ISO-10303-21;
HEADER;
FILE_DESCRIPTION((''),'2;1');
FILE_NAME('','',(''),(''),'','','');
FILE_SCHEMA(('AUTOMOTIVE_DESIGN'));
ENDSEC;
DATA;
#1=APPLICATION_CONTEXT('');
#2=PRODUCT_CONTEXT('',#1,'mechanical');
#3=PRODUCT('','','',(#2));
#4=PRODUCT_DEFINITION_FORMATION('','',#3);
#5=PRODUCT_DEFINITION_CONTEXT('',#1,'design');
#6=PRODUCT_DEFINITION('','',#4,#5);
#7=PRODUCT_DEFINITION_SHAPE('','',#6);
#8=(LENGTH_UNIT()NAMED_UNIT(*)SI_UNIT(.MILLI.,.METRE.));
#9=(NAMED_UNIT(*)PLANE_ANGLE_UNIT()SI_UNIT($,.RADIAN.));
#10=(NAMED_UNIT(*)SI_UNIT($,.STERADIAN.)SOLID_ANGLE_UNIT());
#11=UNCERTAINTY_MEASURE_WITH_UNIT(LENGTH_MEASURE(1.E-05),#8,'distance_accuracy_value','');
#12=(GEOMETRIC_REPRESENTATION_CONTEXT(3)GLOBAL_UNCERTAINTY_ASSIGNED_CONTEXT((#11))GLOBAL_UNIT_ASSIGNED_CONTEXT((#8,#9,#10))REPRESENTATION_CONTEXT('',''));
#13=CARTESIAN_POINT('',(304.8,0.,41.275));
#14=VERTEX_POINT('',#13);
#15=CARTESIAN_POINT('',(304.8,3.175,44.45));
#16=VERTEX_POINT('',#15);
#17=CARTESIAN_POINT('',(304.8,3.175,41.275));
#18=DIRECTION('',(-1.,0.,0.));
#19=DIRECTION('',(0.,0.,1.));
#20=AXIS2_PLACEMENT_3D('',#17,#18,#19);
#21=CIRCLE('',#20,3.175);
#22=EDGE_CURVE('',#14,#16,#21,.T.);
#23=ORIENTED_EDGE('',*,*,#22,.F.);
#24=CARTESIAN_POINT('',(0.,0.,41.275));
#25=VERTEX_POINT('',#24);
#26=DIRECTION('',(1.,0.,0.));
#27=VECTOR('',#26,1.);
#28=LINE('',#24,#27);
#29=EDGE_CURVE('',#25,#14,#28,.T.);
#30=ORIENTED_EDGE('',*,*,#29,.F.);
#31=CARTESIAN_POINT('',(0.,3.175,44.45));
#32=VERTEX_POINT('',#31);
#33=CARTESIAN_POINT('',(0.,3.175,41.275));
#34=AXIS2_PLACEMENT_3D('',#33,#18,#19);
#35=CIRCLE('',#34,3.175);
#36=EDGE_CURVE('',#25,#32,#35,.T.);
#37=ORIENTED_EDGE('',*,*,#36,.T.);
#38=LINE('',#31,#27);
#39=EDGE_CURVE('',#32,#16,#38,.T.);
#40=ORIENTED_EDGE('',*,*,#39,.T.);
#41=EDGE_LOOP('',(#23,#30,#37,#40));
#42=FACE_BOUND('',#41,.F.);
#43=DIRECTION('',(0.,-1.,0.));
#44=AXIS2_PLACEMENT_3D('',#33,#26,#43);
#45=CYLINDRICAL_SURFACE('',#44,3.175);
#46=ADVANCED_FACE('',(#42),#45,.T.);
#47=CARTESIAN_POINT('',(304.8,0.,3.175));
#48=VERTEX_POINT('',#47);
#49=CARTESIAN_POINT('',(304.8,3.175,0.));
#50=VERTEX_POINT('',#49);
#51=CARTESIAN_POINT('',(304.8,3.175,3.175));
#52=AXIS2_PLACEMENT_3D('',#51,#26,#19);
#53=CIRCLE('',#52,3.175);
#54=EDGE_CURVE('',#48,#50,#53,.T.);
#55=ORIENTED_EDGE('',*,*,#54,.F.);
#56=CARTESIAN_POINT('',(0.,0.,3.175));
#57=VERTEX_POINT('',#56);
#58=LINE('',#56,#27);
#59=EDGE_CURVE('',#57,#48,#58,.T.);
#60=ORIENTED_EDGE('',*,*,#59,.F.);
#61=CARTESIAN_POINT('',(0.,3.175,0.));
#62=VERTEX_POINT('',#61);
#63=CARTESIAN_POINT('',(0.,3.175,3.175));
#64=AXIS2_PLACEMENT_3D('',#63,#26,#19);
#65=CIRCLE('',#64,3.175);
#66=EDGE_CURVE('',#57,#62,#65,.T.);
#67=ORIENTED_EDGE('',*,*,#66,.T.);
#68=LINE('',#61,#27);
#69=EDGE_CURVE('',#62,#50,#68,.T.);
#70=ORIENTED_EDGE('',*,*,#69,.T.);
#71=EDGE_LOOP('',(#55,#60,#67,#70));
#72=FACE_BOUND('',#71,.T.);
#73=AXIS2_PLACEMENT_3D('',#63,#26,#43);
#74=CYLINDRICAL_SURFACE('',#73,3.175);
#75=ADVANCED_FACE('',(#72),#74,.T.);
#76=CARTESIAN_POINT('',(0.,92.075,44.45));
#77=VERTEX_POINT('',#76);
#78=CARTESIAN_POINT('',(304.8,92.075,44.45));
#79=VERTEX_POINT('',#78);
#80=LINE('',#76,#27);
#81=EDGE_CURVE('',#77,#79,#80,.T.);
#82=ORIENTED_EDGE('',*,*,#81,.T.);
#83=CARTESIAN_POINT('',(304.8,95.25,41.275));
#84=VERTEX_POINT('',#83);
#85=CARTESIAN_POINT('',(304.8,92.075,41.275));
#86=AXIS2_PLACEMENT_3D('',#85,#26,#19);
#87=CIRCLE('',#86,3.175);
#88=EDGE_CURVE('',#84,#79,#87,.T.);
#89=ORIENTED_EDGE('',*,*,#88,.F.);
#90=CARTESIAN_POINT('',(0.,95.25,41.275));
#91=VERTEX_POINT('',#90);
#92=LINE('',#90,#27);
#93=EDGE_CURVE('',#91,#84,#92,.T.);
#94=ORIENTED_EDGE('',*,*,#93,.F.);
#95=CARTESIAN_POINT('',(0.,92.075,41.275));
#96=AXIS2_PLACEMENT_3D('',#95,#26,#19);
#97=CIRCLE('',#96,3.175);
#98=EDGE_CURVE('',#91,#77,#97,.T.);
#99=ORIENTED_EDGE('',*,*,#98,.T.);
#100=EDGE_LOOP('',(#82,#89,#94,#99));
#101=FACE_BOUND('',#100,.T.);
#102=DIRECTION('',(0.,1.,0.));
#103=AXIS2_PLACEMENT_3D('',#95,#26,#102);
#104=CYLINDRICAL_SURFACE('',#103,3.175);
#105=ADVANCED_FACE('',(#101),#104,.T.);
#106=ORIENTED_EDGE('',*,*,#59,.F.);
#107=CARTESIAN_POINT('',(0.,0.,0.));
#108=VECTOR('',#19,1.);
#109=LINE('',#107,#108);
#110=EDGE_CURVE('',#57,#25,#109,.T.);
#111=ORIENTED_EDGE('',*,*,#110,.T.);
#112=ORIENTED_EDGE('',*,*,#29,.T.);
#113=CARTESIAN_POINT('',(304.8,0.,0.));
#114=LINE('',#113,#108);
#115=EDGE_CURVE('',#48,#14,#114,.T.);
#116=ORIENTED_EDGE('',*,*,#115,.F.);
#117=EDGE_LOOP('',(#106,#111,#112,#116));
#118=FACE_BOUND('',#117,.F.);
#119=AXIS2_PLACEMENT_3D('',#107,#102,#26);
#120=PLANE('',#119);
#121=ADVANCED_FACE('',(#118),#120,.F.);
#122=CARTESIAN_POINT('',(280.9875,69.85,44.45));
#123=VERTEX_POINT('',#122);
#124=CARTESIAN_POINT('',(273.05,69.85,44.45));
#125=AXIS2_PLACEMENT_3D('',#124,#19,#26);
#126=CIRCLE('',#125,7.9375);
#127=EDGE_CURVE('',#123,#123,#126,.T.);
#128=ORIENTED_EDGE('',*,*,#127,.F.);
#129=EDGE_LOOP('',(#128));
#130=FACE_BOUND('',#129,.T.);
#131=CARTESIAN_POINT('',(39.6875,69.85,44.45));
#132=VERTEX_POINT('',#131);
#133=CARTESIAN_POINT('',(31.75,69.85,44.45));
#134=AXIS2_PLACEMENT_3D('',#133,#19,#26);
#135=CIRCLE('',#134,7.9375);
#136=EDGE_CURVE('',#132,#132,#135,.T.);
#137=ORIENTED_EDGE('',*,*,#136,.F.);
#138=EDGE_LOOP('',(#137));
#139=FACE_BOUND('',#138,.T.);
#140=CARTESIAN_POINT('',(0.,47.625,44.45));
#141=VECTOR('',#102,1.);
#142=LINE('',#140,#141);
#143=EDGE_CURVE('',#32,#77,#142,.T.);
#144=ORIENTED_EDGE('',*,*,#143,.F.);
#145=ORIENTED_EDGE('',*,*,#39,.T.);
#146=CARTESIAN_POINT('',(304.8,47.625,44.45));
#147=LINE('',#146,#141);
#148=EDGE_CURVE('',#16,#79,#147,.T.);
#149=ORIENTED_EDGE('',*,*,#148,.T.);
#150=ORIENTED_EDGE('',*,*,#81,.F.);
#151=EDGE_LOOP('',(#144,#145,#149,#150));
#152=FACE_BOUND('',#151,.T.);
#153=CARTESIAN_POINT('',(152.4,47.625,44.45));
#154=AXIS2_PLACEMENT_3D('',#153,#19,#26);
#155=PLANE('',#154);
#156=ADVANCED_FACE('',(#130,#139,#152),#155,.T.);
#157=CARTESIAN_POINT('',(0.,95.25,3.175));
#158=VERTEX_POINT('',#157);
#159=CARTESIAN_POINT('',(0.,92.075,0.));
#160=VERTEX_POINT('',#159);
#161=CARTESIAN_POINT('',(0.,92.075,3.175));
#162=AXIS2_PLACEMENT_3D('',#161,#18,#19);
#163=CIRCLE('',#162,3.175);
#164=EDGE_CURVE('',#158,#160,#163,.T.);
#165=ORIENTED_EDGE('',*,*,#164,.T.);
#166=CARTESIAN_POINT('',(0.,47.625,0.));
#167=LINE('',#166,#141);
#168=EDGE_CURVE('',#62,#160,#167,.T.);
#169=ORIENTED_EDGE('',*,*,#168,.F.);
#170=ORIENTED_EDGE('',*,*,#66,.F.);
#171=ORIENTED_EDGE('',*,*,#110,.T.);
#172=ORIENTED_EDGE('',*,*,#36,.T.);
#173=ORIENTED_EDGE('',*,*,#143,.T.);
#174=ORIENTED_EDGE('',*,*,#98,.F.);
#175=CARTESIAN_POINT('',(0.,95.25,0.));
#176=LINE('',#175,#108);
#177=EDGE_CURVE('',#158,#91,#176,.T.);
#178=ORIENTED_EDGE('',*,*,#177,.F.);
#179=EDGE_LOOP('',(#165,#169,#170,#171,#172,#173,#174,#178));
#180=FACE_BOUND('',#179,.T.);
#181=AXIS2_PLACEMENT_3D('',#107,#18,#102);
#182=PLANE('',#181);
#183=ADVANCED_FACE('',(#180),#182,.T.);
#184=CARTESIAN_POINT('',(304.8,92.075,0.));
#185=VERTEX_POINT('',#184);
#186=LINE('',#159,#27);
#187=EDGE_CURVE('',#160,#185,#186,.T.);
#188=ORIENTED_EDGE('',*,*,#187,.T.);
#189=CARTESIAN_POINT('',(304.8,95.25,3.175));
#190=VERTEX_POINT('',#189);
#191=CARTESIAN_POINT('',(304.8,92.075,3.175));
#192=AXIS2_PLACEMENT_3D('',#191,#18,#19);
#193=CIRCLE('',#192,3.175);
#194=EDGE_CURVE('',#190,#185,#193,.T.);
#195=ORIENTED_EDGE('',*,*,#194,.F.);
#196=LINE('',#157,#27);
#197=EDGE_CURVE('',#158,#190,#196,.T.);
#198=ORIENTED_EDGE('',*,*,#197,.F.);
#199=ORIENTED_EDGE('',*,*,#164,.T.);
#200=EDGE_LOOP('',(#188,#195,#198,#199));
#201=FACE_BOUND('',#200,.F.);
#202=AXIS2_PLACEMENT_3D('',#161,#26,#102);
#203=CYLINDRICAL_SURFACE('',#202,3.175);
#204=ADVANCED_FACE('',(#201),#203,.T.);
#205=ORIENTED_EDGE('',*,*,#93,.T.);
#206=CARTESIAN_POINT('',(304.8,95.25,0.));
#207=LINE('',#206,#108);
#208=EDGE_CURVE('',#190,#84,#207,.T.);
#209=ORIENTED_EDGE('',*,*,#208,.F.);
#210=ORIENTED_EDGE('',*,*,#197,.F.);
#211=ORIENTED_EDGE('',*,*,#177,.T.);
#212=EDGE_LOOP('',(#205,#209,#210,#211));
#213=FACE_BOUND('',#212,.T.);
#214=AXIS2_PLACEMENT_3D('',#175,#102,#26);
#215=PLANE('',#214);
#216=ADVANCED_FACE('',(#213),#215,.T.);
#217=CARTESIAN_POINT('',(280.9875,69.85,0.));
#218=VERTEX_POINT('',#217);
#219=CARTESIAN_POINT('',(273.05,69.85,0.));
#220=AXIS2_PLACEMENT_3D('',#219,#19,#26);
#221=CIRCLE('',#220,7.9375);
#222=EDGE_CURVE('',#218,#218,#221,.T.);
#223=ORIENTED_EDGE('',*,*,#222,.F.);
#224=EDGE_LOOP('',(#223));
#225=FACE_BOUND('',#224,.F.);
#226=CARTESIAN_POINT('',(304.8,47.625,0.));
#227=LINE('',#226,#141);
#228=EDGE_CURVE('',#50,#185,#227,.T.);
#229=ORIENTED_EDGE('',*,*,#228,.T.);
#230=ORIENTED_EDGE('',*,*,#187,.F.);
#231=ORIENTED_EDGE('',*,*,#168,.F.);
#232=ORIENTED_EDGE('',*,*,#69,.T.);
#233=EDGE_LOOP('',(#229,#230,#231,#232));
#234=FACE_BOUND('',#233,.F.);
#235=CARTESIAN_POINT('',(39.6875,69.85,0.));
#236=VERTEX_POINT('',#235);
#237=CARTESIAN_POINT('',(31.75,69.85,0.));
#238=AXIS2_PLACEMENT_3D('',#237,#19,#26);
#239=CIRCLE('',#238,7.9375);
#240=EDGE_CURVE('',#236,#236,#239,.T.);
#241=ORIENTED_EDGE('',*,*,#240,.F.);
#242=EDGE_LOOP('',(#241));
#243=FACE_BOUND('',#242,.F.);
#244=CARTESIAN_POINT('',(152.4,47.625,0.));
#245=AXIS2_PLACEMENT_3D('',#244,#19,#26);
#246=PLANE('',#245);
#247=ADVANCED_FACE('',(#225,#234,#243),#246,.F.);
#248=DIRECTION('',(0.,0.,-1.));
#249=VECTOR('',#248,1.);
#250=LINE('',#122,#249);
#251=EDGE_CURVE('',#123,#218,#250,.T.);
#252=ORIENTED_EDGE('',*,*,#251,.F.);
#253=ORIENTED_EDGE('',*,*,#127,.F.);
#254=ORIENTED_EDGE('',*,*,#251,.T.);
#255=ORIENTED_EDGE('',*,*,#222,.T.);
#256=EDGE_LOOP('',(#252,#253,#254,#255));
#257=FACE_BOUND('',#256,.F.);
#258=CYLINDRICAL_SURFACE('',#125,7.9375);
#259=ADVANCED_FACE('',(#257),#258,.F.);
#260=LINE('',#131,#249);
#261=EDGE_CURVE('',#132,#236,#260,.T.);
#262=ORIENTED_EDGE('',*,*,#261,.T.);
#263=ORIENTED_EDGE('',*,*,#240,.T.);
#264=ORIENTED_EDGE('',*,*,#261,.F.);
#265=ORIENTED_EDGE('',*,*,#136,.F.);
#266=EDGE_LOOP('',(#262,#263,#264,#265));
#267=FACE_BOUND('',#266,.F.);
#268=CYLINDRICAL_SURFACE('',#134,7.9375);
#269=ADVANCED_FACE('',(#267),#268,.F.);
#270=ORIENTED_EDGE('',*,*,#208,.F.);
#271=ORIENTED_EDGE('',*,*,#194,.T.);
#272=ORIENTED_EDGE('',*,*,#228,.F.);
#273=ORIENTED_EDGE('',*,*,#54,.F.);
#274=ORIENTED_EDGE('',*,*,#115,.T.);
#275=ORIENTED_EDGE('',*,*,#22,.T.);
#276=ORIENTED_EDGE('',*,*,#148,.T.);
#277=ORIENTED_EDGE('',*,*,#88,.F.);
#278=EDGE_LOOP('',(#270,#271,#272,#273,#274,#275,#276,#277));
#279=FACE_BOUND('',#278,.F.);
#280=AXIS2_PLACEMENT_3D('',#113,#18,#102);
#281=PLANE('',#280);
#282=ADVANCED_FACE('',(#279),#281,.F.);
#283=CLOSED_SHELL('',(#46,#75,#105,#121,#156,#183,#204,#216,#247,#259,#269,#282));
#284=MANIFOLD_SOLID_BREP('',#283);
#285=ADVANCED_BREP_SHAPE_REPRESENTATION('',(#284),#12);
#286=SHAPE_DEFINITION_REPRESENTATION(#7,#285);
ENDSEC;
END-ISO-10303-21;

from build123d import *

# Parameters (mm, degrees)
F0_W     = 304.8
F0_H     = 95.25
F1_DEPTH = 44.45
F2_R     = 3.175
F3_R     = 7.9375
F4_DEPTH = 44.451


with BuildPart() as f1:
    # F0 (on Top) → F1 (new body)
    with BuildSketch(Plane.XY):
        with Locations((152.4, 47.625)):
            Rectangle(F0_W, F0_H)
    extrude(amount=F1_DEPTH)

    # F2
    f2_edges = [f1.edges().sort_by_distance(p)[0] for p in [
        (152.4, 95.25, 44.45),
        (152.4, 0, 44.45),
        (152.4, 0, 0),
        (152.4, 95.25, 0),
    ]]
    fillet(f2_edges, radius=F2_R)

    # F3 (on face) → F4 (cut, through all)
    with BuildSketch(Plane.XY.offset(44.45)):
        with Locations((31.75, 69.85)):
            Circle(F3_R)
        with Locations((273.05, 69.85)):
            Circle(F3_R)
    extrude(amount=-F4_DEPTH, mode=Mode.SUBTRACT)


solid = f1.part
